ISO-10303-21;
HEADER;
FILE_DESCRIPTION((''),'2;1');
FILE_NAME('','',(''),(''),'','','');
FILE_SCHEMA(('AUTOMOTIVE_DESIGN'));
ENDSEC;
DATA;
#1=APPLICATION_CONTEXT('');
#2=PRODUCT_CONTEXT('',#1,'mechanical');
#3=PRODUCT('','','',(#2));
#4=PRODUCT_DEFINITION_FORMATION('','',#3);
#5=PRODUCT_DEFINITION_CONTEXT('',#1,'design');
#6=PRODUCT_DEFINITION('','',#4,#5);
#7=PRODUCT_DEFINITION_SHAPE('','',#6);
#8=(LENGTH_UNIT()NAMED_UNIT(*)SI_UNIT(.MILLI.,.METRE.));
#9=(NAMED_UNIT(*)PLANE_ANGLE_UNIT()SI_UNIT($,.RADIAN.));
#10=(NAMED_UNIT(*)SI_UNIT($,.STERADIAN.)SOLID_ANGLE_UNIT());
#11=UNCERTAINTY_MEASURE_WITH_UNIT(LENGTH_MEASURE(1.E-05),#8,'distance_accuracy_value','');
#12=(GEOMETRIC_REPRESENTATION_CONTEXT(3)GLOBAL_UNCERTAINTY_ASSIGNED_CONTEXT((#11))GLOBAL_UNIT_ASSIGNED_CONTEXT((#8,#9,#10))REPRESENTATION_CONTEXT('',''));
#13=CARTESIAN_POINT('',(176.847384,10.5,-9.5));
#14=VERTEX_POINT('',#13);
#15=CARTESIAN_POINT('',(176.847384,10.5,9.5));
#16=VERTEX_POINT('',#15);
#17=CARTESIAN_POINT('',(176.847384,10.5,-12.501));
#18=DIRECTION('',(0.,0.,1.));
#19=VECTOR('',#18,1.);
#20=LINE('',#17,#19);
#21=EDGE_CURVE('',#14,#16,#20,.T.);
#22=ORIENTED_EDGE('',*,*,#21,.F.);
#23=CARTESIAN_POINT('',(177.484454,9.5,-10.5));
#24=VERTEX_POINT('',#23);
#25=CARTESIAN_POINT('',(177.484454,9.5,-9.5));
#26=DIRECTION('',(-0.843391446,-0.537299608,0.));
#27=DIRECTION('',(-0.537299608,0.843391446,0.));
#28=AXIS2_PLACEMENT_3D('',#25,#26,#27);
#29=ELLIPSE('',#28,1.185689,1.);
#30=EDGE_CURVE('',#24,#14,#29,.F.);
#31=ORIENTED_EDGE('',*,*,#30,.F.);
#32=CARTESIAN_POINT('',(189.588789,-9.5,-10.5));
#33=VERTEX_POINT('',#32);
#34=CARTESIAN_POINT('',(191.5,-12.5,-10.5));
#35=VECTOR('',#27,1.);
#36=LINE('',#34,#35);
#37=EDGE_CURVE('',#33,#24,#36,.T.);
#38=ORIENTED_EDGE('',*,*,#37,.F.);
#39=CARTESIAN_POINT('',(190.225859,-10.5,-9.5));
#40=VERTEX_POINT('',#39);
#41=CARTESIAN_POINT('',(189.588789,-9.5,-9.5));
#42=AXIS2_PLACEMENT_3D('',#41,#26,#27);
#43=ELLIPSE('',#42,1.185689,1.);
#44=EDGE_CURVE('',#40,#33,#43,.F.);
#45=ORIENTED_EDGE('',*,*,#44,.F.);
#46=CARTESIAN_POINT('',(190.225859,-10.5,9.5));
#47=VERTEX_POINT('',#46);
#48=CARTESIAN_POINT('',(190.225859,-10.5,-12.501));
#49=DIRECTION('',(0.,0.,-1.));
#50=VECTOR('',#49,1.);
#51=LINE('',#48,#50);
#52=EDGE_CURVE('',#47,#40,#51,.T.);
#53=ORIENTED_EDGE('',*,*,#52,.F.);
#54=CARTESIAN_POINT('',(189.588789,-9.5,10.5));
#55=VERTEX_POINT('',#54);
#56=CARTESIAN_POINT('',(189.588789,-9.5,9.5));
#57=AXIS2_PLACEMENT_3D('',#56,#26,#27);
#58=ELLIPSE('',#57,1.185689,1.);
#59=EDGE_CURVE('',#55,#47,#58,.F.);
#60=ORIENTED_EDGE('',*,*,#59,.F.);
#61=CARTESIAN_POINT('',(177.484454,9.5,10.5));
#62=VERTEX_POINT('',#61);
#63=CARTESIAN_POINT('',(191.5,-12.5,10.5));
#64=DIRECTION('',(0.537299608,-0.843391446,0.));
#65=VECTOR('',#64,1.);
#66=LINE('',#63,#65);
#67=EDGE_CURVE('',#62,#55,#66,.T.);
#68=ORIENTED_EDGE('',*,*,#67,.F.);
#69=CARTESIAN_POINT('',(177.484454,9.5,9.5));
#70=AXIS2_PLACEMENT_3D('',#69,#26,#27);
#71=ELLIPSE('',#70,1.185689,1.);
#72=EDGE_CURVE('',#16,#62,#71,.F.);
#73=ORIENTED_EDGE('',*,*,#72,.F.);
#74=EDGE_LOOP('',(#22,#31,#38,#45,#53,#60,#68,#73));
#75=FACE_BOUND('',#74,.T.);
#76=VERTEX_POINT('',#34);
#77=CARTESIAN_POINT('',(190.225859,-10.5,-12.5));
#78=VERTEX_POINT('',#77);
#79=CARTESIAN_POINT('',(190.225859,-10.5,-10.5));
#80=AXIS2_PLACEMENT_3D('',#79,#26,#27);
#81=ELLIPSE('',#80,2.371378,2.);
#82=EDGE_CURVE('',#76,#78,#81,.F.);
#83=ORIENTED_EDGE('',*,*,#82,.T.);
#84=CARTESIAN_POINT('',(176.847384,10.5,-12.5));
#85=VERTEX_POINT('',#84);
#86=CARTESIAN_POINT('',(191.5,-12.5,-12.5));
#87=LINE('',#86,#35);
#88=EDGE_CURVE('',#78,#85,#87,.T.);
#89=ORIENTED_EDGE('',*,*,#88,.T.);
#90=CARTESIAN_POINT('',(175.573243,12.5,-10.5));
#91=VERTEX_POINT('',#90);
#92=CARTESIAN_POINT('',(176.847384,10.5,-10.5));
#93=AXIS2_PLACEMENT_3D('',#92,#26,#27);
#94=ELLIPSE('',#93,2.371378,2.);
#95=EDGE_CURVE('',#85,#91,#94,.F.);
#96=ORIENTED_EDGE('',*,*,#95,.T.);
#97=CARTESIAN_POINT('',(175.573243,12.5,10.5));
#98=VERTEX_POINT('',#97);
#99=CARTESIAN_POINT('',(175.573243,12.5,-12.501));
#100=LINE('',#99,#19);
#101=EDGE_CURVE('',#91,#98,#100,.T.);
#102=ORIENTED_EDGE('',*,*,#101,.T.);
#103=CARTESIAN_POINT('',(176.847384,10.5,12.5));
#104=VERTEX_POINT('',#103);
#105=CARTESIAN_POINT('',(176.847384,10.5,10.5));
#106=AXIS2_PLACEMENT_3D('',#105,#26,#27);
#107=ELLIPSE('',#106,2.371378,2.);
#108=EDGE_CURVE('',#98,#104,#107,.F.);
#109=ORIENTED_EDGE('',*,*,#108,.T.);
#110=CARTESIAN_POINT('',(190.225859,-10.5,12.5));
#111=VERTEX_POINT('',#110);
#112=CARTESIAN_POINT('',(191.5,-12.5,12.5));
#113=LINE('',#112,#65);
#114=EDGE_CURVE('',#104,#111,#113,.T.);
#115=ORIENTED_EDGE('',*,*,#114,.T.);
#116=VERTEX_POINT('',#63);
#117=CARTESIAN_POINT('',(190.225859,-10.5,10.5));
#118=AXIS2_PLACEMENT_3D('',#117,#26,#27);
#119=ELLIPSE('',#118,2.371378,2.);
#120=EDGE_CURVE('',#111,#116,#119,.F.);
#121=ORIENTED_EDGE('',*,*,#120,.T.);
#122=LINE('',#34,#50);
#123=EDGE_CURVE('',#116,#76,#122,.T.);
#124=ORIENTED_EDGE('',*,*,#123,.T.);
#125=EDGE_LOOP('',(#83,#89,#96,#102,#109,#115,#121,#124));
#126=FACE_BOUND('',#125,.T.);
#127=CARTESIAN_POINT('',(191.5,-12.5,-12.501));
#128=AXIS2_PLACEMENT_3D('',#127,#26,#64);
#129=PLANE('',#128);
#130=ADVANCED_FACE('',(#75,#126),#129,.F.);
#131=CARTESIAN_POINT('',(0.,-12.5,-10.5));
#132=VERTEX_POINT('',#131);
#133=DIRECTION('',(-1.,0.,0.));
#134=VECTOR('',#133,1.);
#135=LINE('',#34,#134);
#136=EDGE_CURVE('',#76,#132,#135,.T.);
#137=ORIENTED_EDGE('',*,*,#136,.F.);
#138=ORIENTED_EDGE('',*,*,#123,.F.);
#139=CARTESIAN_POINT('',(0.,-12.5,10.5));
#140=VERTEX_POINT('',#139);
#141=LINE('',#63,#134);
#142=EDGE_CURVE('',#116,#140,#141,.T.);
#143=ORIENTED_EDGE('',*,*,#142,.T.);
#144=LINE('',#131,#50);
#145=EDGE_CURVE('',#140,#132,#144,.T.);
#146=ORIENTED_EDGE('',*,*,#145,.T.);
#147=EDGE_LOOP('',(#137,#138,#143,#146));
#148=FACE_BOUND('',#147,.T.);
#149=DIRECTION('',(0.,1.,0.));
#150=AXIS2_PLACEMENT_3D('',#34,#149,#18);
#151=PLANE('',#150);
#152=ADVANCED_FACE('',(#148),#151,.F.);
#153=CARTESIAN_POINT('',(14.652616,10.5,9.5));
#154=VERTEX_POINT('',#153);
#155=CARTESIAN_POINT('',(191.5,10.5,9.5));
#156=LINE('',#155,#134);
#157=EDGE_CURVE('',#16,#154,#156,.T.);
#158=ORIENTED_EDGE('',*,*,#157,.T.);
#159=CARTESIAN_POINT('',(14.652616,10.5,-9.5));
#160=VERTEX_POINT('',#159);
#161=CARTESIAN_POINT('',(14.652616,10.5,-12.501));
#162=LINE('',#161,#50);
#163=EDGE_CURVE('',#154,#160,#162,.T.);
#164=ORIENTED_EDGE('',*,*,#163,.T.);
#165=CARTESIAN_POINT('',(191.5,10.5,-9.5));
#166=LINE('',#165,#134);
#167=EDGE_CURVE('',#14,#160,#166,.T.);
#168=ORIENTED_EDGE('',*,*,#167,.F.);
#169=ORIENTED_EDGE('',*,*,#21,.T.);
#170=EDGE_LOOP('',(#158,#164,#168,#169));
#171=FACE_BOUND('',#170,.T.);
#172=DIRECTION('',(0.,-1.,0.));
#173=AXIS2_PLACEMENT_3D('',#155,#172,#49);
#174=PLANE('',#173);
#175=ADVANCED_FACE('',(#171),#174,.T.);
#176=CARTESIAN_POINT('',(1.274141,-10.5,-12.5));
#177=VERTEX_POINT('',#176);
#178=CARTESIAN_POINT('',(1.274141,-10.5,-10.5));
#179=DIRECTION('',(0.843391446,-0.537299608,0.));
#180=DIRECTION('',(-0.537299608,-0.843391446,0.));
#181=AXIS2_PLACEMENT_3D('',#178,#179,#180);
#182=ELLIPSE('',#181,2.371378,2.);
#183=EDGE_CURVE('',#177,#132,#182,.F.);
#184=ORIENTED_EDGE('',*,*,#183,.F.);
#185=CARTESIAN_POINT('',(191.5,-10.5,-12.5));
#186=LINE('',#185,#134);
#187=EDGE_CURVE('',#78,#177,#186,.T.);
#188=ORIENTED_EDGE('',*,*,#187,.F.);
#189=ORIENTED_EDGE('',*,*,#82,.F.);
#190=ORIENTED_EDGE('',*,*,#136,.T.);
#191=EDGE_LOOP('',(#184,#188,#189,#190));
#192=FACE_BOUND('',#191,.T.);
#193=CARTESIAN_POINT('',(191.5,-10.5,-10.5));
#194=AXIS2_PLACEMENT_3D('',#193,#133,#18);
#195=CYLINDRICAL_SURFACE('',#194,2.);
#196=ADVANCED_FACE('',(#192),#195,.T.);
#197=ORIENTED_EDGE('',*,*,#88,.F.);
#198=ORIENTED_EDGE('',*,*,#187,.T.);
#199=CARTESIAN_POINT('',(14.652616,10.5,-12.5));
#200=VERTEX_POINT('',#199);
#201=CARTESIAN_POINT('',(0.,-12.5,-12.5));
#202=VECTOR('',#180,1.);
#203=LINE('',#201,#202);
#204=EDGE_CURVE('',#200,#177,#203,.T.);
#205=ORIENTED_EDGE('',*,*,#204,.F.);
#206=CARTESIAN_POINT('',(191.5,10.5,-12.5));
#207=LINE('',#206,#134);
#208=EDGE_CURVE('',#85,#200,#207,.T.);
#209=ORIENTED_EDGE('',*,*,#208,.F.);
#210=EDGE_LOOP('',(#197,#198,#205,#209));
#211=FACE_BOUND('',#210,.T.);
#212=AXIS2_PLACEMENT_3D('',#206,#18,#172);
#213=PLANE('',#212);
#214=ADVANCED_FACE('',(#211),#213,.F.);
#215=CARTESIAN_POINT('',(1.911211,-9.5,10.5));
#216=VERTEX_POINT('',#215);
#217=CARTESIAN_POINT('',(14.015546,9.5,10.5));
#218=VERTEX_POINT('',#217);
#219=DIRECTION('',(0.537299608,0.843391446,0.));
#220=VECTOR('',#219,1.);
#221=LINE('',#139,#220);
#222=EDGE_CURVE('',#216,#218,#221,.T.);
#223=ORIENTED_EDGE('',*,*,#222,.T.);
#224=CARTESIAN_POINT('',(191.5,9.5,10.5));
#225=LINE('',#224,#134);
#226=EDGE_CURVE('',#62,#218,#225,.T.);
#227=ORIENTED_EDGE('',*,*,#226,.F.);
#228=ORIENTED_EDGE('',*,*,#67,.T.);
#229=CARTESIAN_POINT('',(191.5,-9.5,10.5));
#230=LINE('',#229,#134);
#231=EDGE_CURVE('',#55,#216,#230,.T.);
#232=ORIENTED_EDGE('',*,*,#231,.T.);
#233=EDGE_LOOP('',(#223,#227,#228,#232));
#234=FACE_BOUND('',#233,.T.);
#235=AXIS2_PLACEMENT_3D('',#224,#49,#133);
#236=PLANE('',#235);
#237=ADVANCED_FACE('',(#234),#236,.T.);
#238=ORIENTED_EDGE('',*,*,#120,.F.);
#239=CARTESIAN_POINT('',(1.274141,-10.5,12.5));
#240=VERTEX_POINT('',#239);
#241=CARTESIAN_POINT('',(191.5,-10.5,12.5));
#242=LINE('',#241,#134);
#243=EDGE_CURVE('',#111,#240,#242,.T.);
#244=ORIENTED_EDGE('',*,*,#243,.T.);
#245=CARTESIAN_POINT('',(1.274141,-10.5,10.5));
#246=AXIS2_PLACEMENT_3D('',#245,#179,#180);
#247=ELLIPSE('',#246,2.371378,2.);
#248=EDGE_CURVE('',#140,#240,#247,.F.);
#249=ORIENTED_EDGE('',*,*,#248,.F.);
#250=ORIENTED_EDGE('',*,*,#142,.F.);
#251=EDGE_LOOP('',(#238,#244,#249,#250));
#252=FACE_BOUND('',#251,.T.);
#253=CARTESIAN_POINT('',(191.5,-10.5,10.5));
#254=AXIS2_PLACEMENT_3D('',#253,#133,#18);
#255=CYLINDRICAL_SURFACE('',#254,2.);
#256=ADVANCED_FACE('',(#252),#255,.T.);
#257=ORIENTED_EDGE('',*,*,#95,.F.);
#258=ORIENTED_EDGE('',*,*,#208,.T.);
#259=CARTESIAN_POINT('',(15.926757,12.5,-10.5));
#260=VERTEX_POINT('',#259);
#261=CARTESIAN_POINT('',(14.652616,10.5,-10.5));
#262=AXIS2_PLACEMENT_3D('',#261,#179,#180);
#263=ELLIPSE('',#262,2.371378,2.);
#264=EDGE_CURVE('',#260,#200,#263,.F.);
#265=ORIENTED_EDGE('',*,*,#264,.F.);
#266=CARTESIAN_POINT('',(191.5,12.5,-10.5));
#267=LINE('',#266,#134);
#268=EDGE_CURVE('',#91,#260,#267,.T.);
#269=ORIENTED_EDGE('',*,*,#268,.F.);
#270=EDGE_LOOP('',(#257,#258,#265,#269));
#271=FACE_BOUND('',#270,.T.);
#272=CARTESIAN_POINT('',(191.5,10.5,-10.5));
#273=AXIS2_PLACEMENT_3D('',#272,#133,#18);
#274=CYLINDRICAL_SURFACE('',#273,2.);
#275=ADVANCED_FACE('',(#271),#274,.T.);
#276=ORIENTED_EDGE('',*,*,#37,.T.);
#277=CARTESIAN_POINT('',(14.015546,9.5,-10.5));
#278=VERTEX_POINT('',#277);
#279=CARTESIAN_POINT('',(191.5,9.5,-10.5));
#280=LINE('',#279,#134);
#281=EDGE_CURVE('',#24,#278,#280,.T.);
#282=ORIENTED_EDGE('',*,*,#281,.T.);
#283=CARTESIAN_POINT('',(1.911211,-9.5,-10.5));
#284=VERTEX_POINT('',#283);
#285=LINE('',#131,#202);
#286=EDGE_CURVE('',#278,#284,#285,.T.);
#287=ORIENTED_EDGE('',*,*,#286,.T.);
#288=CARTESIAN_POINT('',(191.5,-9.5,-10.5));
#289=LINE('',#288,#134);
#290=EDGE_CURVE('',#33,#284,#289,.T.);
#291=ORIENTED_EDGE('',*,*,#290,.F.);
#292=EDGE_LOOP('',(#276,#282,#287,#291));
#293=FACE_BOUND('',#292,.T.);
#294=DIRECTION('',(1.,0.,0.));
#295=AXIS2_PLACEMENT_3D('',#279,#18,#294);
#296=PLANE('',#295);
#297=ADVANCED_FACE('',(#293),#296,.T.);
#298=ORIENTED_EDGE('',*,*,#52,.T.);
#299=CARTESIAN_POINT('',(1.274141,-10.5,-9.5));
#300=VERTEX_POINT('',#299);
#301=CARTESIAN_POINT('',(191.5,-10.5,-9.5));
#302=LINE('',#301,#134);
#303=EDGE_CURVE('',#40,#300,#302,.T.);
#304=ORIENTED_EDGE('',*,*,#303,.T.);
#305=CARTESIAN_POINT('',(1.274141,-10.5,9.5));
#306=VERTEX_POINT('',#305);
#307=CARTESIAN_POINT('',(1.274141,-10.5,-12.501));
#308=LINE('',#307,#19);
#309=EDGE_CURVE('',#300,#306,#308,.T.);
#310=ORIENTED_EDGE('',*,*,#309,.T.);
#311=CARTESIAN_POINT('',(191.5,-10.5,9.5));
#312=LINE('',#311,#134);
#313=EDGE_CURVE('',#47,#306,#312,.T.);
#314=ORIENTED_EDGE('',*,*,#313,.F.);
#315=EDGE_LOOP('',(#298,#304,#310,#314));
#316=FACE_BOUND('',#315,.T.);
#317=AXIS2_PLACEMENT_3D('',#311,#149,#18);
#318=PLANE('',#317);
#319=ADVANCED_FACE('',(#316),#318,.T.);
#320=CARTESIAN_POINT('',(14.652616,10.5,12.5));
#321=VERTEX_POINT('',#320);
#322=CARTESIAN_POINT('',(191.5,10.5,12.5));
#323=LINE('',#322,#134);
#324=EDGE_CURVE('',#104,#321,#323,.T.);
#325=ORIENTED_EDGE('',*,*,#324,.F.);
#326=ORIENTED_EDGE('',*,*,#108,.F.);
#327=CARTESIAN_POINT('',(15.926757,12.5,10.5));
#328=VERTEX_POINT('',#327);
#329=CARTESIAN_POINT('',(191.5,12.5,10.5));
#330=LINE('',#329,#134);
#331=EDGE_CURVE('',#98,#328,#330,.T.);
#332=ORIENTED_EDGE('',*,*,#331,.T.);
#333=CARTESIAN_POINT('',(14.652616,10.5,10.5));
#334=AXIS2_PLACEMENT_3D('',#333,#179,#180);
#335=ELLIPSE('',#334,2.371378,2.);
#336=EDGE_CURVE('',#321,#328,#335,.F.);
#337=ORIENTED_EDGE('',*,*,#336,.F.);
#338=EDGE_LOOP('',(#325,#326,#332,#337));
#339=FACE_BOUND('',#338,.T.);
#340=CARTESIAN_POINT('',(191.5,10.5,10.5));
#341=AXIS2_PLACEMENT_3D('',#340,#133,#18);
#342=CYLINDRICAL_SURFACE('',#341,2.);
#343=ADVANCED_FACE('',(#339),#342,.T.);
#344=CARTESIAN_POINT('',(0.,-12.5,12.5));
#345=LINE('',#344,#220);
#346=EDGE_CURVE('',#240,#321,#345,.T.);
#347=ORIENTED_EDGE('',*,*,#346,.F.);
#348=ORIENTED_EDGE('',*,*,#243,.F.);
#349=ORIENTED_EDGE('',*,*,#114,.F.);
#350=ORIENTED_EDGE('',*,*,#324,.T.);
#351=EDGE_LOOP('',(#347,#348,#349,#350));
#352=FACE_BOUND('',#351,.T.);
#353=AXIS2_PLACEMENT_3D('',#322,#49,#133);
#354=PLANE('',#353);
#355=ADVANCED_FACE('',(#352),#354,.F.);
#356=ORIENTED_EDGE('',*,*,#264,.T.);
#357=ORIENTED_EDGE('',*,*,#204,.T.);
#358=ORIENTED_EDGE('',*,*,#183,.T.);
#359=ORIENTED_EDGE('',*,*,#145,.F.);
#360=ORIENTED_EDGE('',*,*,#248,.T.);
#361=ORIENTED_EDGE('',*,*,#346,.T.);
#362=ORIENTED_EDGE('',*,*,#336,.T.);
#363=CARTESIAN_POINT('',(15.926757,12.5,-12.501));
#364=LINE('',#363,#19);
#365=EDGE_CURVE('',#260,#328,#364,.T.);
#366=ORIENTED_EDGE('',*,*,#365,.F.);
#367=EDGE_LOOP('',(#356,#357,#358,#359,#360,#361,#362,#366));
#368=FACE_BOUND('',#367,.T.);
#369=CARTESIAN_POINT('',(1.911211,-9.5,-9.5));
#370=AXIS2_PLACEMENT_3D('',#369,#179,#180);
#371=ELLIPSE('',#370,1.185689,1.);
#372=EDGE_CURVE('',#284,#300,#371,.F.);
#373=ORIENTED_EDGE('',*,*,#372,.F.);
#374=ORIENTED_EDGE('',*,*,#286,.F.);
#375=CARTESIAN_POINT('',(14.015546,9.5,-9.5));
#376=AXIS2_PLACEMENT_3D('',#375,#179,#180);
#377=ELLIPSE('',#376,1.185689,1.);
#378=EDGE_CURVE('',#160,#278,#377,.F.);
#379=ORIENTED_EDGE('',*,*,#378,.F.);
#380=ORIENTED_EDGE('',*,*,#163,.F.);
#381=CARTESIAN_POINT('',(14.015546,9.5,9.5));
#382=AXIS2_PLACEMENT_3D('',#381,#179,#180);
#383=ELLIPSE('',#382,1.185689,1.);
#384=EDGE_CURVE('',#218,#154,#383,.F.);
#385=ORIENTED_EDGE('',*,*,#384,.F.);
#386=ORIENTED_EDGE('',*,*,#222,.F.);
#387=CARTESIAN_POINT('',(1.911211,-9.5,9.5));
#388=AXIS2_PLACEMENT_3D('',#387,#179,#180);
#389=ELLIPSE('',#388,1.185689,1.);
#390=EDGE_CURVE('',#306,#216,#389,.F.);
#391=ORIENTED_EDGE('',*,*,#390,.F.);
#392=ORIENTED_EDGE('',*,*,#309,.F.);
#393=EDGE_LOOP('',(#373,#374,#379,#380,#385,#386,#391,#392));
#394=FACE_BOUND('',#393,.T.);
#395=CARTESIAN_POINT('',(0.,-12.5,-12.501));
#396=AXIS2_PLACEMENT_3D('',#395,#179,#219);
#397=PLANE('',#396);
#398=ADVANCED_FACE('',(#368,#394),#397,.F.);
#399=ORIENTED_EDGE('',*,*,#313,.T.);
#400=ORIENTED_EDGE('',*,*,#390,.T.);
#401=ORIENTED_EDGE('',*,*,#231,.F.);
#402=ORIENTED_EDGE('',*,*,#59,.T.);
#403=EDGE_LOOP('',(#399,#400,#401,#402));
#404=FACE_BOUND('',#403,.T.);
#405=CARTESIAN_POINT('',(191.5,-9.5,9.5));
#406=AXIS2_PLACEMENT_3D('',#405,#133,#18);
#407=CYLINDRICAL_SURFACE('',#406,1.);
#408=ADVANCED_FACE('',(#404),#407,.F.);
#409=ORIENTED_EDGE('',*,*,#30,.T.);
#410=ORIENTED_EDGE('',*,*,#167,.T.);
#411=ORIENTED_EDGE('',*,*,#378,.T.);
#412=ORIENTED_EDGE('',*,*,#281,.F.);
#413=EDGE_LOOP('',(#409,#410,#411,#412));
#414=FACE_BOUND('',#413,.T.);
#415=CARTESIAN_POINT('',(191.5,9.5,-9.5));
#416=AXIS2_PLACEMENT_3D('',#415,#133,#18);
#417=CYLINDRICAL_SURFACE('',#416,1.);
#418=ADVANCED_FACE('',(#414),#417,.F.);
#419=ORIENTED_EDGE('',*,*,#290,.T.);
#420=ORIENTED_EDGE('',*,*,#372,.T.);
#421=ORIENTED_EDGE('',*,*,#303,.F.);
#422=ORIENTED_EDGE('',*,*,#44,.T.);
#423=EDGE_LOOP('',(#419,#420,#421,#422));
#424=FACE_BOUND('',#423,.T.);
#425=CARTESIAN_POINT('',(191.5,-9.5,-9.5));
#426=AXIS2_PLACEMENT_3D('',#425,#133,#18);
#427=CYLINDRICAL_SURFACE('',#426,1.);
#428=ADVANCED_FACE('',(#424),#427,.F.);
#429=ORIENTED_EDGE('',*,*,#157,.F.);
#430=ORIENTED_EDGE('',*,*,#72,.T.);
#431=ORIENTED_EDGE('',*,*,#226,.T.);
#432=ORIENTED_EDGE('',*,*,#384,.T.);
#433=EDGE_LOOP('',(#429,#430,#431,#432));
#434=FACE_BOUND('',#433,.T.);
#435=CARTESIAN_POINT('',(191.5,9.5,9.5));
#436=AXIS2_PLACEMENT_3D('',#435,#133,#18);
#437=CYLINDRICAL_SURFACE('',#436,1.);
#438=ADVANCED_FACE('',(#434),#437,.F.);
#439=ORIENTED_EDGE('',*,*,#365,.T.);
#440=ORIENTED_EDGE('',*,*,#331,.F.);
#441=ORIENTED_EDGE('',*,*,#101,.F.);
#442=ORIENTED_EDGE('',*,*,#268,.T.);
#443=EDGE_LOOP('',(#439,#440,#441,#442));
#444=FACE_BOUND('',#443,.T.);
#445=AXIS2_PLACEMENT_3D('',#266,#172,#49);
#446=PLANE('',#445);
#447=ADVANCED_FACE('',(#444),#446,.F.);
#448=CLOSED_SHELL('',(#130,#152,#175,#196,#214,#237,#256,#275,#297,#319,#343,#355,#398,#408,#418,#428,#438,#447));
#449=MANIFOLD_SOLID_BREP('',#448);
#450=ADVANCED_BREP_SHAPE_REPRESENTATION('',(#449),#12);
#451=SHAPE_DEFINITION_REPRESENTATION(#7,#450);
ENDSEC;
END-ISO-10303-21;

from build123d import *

# Parameters (mm, degrees)
HANDBRAKE_TOP_SUPPORT_EXTRUDE_DEPTH = 191.5
HANDBRAKE_TOP_SUPPORT_CUT_REACH     = 195.529


with BuildPart() as part:
    # Sketch1<8> → handbrake top support extrude (new body)
    with BuildSketch(Plane(origin=(0, 0, 0), x_dir=(0, 0, -1), z_dir=(1, 0, 0))):
        with BuildLine():
            Line((10.5, 12.5), (-10.5, 12.5))
            ThreePointArc((-10.5, 12.5), (-11.914213562, 11.914213562), (-12.5, 10.5))
            Line((-12.5, 10.5), (-12.5, -10.5))
            ThreePointArc((-12.5, -10.5), (-11.914213562, -11.914213562), (-10.5, -12.5))
            Line((-10.5, -12.5), (10.5, -12.5))
            ThreePointArc((10.5, -12.5), (11.914213562, -11.914213562), (12.5, -10.5))
            Line((12.5, -10.5), (12.5, 10.5))
            ThreePointArc((12.5, 10.5), (11.914213562, 11.914213562), (10.5, 12.5))
        make_face()
        with BuildLine():
            Line((-9.5, 10.5), (9.5, 10.5))
            ThreePointArc((9.5, 10.5), (10.207106781, 10.207106781), (10.5, 9.5))
            Line((10.5, 9.5), (10.5, -9.5))
            ThreePointArc((10.5, -9.5), (10.207106781, -10.207106781), (9.5, -10.5))
            Line((9.5, -10.5), (-9.5, -10.5))
            ThreePointArc((-9.5, -10.5), (-10.207106781, -10.207106781), (-10.5, -9.5))
            Line((-10.5, -9.5), (-10.5, 9.5))
            ThreePointArc((-10.5, 9.5), (-10.207106781, 10.207106781), (-9.5, 10.5))
        make_face(mode=Mode.SUBTRACT)
    extrude(amount=HANDBRAKE_TOP_SUPPORT_EXTRUDE_DEPTH)

    # Sketch7 → handbrake top support cut (cut, up to next)
    with BuildSketch(Plane.XY.offset(12.5), mode=Mode.PRIVATE) as handbrake_top_support_cut_sk1:
        Polygon((0, 12.5), (0, -12.5), (15.92675652, 12.5), align=None)
    handbrake_top_support_cut_tool1 = extrude(handbrake_top_support_cut_sk1.sketch, amount=-HANDBRAKE_TOP_SUPPORT_CUT_REACH, mode=Mode.PRIVATE) & part.part
    # Sketch7 → handbrake top support cut (cut, up to next)
    with BuildSketch(Plane.XY.offset(12.5), mode=Mode.PRIVATE) as handbrake_top_support_cut_sk2:
        Polygon((191.5, -12.5), (175.57324348, 12.5), (191.5, 12.5), align=None)
    handbrake_top_support_cut_tool2 = extrude(handbrake_top_support_cut_sk2.sketch, amount=-HANDBRAKE_TOP_SUPPORT_CUT_REACH, mode=Mode.PRIVATE) & part.part
    add(handbrake_top_support_cut_tool1.solids().sort_by_distance((5.308919, 4.166667, 12.5))[0], mode=Mode.SUBTRACT)
    add(handbrake_top_support_cut_tool2.solids().sort_by_distance((186.191081, 4.166667, 12.5))[0], mode=Mode.SUBTRACT)


solid = part.part
